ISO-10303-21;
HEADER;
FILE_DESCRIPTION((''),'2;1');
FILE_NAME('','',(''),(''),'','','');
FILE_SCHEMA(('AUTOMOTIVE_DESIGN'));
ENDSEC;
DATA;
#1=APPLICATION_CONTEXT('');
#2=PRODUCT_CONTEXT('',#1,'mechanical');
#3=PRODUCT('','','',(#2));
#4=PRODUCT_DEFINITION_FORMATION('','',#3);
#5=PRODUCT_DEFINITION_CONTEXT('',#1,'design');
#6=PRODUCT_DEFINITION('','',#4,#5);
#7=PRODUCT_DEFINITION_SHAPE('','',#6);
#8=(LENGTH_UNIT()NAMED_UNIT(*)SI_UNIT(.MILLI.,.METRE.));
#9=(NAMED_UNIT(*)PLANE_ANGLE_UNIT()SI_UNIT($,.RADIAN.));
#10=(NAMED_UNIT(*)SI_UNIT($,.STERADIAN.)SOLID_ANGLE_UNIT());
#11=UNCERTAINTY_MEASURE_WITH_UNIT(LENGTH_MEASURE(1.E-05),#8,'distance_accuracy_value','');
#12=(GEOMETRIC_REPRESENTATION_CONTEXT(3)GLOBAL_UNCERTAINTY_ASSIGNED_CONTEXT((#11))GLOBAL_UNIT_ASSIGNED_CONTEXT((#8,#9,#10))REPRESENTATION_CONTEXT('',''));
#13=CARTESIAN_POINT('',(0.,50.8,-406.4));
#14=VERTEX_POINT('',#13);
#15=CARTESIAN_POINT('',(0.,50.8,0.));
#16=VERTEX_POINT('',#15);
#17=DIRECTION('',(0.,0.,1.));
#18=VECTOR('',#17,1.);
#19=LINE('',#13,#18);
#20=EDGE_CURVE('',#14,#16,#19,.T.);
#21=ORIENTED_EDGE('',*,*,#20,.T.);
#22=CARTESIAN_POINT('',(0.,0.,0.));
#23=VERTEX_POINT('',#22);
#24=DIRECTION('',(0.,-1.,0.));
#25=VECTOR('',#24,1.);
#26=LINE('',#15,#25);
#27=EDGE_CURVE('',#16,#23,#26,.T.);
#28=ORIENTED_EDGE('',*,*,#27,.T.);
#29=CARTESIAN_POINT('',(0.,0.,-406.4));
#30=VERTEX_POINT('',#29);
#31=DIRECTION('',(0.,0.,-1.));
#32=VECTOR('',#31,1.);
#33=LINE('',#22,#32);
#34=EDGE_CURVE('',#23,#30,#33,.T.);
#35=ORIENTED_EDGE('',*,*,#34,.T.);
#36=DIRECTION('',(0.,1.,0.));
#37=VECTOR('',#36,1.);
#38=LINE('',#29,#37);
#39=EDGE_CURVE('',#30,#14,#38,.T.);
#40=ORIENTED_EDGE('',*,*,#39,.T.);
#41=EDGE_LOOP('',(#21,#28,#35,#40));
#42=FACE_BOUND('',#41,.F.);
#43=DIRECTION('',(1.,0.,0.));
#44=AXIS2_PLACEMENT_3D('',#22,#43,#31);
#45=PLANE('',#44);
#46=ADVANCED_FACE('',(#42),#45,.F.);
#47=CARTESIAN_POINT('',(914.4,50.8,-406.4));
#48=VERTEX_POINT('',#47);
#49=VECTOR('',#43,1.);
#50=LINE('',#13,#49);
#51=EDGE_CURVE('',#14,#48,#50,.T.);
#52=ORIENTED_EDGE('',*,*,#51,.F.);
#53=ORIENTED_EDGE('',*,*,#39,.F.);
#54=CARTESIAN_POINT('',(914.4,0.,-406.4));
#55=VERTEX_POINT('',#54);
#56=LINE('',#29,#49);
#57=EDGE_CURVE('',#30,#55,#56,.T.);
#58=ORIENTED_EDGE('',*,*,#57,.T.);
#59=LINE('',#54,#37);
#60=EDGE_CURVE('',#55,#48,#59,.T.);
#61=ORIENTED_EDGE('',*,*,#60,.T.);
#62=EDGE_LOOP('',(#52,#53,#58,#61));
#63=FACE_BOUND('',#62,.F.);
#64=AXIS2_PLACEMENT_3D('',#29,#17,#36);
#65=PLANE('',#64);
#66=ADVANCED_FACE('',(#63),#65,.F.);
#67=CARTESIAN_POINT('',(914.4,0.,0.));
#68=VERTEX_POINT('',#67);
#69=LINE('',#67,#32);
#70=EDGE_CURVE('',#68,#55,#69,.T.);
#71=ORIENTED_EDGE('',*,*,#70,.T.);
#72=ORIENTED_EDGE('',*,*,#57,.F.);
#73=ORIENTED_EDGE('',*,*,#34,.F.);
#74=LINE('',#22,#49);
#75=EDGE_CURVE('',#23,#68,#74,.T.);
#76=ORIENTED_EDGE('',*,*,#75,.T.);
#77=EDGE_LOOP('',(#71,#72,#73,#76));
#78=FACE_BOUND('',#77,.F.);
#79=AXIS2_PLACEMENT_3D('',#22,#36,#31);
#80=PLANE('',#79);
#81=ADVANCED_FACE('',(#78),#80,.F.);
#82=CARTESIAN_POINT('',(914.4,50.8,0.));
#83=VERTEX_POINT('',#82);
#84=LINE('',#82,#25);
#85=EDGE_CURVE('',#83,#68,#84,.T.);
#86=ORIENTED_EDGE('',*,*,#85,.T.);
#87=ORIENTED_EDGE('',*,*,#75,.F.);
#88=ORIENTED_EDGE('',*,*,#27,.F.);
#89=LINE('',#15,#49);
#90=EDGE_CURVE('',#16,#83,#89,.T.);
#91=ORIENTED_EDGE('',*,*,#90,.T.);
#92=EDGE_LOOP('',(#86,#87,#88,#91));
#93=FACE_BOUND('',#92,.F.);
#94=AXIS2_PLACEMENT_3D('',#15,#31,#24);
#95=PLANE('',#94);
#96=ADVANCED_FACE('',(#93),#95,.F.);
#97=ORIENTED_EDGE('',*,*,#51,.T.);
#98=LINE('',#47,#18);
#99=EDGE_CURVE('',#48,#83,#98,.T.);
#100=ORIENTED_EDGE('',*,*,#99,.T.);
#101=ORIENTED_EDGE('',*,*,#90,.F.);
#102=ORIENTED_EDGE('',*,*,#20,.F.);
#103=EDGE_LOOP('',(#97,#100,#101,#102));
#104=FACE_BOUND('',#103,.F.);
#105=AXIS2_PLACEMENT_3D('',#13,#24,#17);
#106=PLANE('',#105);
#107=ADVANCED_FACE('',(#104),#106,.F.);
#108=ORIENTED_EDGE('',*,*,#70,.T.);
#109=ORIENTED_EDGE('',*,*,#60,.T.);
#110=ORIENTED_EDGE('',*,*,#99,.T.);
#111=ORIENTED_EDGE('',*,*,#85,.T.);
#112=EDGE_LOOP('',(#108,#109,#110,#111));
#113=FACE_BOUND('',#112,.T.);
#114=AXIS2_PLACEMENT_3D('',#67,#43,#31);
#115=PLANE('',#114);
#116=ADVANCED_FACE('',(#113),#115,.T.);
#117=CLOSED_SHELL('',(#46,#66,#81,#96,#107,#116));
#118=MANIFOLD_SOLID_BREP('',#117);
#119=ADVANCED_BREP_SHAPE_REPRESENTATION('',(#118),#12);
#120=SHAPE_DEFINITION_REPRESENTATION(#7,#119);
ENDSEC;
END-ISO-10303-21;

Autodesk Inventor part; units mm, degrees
ref_plane "YZ Plane" through (0, 0, 0) normal (1, 0, 0) x (0, 1, 0)
ref_plane "XZ Plane" through (0, 0, 0) normal (0, 1, 0) x (-1, 0, 0)
ref_plane "XY Plane" through (0, 0, 0) normal (0, 0, 1) x (1, 0, 0)
sketch "Sketch1" plane through (0, 0, 0) normal (1, 0, 0) x (0, 0, -1)
  line L0 (0, 0) -> (406.4, 0)
  line L1 (406.4, 0) -> (406.4, 50.8)
  line L2 (406.4, 50.8) -> (0, 50.8)
  line L3 (0, 50.8) -> (0, 0)
  dimension "d0" = 406.4
  dimension "d1" = 50.8
extrude "Extrusion1" add sketch "Sketch1" along normal blind 914.4
properties part number "2x16x36-28" material "Granite, Cut, Polished"
